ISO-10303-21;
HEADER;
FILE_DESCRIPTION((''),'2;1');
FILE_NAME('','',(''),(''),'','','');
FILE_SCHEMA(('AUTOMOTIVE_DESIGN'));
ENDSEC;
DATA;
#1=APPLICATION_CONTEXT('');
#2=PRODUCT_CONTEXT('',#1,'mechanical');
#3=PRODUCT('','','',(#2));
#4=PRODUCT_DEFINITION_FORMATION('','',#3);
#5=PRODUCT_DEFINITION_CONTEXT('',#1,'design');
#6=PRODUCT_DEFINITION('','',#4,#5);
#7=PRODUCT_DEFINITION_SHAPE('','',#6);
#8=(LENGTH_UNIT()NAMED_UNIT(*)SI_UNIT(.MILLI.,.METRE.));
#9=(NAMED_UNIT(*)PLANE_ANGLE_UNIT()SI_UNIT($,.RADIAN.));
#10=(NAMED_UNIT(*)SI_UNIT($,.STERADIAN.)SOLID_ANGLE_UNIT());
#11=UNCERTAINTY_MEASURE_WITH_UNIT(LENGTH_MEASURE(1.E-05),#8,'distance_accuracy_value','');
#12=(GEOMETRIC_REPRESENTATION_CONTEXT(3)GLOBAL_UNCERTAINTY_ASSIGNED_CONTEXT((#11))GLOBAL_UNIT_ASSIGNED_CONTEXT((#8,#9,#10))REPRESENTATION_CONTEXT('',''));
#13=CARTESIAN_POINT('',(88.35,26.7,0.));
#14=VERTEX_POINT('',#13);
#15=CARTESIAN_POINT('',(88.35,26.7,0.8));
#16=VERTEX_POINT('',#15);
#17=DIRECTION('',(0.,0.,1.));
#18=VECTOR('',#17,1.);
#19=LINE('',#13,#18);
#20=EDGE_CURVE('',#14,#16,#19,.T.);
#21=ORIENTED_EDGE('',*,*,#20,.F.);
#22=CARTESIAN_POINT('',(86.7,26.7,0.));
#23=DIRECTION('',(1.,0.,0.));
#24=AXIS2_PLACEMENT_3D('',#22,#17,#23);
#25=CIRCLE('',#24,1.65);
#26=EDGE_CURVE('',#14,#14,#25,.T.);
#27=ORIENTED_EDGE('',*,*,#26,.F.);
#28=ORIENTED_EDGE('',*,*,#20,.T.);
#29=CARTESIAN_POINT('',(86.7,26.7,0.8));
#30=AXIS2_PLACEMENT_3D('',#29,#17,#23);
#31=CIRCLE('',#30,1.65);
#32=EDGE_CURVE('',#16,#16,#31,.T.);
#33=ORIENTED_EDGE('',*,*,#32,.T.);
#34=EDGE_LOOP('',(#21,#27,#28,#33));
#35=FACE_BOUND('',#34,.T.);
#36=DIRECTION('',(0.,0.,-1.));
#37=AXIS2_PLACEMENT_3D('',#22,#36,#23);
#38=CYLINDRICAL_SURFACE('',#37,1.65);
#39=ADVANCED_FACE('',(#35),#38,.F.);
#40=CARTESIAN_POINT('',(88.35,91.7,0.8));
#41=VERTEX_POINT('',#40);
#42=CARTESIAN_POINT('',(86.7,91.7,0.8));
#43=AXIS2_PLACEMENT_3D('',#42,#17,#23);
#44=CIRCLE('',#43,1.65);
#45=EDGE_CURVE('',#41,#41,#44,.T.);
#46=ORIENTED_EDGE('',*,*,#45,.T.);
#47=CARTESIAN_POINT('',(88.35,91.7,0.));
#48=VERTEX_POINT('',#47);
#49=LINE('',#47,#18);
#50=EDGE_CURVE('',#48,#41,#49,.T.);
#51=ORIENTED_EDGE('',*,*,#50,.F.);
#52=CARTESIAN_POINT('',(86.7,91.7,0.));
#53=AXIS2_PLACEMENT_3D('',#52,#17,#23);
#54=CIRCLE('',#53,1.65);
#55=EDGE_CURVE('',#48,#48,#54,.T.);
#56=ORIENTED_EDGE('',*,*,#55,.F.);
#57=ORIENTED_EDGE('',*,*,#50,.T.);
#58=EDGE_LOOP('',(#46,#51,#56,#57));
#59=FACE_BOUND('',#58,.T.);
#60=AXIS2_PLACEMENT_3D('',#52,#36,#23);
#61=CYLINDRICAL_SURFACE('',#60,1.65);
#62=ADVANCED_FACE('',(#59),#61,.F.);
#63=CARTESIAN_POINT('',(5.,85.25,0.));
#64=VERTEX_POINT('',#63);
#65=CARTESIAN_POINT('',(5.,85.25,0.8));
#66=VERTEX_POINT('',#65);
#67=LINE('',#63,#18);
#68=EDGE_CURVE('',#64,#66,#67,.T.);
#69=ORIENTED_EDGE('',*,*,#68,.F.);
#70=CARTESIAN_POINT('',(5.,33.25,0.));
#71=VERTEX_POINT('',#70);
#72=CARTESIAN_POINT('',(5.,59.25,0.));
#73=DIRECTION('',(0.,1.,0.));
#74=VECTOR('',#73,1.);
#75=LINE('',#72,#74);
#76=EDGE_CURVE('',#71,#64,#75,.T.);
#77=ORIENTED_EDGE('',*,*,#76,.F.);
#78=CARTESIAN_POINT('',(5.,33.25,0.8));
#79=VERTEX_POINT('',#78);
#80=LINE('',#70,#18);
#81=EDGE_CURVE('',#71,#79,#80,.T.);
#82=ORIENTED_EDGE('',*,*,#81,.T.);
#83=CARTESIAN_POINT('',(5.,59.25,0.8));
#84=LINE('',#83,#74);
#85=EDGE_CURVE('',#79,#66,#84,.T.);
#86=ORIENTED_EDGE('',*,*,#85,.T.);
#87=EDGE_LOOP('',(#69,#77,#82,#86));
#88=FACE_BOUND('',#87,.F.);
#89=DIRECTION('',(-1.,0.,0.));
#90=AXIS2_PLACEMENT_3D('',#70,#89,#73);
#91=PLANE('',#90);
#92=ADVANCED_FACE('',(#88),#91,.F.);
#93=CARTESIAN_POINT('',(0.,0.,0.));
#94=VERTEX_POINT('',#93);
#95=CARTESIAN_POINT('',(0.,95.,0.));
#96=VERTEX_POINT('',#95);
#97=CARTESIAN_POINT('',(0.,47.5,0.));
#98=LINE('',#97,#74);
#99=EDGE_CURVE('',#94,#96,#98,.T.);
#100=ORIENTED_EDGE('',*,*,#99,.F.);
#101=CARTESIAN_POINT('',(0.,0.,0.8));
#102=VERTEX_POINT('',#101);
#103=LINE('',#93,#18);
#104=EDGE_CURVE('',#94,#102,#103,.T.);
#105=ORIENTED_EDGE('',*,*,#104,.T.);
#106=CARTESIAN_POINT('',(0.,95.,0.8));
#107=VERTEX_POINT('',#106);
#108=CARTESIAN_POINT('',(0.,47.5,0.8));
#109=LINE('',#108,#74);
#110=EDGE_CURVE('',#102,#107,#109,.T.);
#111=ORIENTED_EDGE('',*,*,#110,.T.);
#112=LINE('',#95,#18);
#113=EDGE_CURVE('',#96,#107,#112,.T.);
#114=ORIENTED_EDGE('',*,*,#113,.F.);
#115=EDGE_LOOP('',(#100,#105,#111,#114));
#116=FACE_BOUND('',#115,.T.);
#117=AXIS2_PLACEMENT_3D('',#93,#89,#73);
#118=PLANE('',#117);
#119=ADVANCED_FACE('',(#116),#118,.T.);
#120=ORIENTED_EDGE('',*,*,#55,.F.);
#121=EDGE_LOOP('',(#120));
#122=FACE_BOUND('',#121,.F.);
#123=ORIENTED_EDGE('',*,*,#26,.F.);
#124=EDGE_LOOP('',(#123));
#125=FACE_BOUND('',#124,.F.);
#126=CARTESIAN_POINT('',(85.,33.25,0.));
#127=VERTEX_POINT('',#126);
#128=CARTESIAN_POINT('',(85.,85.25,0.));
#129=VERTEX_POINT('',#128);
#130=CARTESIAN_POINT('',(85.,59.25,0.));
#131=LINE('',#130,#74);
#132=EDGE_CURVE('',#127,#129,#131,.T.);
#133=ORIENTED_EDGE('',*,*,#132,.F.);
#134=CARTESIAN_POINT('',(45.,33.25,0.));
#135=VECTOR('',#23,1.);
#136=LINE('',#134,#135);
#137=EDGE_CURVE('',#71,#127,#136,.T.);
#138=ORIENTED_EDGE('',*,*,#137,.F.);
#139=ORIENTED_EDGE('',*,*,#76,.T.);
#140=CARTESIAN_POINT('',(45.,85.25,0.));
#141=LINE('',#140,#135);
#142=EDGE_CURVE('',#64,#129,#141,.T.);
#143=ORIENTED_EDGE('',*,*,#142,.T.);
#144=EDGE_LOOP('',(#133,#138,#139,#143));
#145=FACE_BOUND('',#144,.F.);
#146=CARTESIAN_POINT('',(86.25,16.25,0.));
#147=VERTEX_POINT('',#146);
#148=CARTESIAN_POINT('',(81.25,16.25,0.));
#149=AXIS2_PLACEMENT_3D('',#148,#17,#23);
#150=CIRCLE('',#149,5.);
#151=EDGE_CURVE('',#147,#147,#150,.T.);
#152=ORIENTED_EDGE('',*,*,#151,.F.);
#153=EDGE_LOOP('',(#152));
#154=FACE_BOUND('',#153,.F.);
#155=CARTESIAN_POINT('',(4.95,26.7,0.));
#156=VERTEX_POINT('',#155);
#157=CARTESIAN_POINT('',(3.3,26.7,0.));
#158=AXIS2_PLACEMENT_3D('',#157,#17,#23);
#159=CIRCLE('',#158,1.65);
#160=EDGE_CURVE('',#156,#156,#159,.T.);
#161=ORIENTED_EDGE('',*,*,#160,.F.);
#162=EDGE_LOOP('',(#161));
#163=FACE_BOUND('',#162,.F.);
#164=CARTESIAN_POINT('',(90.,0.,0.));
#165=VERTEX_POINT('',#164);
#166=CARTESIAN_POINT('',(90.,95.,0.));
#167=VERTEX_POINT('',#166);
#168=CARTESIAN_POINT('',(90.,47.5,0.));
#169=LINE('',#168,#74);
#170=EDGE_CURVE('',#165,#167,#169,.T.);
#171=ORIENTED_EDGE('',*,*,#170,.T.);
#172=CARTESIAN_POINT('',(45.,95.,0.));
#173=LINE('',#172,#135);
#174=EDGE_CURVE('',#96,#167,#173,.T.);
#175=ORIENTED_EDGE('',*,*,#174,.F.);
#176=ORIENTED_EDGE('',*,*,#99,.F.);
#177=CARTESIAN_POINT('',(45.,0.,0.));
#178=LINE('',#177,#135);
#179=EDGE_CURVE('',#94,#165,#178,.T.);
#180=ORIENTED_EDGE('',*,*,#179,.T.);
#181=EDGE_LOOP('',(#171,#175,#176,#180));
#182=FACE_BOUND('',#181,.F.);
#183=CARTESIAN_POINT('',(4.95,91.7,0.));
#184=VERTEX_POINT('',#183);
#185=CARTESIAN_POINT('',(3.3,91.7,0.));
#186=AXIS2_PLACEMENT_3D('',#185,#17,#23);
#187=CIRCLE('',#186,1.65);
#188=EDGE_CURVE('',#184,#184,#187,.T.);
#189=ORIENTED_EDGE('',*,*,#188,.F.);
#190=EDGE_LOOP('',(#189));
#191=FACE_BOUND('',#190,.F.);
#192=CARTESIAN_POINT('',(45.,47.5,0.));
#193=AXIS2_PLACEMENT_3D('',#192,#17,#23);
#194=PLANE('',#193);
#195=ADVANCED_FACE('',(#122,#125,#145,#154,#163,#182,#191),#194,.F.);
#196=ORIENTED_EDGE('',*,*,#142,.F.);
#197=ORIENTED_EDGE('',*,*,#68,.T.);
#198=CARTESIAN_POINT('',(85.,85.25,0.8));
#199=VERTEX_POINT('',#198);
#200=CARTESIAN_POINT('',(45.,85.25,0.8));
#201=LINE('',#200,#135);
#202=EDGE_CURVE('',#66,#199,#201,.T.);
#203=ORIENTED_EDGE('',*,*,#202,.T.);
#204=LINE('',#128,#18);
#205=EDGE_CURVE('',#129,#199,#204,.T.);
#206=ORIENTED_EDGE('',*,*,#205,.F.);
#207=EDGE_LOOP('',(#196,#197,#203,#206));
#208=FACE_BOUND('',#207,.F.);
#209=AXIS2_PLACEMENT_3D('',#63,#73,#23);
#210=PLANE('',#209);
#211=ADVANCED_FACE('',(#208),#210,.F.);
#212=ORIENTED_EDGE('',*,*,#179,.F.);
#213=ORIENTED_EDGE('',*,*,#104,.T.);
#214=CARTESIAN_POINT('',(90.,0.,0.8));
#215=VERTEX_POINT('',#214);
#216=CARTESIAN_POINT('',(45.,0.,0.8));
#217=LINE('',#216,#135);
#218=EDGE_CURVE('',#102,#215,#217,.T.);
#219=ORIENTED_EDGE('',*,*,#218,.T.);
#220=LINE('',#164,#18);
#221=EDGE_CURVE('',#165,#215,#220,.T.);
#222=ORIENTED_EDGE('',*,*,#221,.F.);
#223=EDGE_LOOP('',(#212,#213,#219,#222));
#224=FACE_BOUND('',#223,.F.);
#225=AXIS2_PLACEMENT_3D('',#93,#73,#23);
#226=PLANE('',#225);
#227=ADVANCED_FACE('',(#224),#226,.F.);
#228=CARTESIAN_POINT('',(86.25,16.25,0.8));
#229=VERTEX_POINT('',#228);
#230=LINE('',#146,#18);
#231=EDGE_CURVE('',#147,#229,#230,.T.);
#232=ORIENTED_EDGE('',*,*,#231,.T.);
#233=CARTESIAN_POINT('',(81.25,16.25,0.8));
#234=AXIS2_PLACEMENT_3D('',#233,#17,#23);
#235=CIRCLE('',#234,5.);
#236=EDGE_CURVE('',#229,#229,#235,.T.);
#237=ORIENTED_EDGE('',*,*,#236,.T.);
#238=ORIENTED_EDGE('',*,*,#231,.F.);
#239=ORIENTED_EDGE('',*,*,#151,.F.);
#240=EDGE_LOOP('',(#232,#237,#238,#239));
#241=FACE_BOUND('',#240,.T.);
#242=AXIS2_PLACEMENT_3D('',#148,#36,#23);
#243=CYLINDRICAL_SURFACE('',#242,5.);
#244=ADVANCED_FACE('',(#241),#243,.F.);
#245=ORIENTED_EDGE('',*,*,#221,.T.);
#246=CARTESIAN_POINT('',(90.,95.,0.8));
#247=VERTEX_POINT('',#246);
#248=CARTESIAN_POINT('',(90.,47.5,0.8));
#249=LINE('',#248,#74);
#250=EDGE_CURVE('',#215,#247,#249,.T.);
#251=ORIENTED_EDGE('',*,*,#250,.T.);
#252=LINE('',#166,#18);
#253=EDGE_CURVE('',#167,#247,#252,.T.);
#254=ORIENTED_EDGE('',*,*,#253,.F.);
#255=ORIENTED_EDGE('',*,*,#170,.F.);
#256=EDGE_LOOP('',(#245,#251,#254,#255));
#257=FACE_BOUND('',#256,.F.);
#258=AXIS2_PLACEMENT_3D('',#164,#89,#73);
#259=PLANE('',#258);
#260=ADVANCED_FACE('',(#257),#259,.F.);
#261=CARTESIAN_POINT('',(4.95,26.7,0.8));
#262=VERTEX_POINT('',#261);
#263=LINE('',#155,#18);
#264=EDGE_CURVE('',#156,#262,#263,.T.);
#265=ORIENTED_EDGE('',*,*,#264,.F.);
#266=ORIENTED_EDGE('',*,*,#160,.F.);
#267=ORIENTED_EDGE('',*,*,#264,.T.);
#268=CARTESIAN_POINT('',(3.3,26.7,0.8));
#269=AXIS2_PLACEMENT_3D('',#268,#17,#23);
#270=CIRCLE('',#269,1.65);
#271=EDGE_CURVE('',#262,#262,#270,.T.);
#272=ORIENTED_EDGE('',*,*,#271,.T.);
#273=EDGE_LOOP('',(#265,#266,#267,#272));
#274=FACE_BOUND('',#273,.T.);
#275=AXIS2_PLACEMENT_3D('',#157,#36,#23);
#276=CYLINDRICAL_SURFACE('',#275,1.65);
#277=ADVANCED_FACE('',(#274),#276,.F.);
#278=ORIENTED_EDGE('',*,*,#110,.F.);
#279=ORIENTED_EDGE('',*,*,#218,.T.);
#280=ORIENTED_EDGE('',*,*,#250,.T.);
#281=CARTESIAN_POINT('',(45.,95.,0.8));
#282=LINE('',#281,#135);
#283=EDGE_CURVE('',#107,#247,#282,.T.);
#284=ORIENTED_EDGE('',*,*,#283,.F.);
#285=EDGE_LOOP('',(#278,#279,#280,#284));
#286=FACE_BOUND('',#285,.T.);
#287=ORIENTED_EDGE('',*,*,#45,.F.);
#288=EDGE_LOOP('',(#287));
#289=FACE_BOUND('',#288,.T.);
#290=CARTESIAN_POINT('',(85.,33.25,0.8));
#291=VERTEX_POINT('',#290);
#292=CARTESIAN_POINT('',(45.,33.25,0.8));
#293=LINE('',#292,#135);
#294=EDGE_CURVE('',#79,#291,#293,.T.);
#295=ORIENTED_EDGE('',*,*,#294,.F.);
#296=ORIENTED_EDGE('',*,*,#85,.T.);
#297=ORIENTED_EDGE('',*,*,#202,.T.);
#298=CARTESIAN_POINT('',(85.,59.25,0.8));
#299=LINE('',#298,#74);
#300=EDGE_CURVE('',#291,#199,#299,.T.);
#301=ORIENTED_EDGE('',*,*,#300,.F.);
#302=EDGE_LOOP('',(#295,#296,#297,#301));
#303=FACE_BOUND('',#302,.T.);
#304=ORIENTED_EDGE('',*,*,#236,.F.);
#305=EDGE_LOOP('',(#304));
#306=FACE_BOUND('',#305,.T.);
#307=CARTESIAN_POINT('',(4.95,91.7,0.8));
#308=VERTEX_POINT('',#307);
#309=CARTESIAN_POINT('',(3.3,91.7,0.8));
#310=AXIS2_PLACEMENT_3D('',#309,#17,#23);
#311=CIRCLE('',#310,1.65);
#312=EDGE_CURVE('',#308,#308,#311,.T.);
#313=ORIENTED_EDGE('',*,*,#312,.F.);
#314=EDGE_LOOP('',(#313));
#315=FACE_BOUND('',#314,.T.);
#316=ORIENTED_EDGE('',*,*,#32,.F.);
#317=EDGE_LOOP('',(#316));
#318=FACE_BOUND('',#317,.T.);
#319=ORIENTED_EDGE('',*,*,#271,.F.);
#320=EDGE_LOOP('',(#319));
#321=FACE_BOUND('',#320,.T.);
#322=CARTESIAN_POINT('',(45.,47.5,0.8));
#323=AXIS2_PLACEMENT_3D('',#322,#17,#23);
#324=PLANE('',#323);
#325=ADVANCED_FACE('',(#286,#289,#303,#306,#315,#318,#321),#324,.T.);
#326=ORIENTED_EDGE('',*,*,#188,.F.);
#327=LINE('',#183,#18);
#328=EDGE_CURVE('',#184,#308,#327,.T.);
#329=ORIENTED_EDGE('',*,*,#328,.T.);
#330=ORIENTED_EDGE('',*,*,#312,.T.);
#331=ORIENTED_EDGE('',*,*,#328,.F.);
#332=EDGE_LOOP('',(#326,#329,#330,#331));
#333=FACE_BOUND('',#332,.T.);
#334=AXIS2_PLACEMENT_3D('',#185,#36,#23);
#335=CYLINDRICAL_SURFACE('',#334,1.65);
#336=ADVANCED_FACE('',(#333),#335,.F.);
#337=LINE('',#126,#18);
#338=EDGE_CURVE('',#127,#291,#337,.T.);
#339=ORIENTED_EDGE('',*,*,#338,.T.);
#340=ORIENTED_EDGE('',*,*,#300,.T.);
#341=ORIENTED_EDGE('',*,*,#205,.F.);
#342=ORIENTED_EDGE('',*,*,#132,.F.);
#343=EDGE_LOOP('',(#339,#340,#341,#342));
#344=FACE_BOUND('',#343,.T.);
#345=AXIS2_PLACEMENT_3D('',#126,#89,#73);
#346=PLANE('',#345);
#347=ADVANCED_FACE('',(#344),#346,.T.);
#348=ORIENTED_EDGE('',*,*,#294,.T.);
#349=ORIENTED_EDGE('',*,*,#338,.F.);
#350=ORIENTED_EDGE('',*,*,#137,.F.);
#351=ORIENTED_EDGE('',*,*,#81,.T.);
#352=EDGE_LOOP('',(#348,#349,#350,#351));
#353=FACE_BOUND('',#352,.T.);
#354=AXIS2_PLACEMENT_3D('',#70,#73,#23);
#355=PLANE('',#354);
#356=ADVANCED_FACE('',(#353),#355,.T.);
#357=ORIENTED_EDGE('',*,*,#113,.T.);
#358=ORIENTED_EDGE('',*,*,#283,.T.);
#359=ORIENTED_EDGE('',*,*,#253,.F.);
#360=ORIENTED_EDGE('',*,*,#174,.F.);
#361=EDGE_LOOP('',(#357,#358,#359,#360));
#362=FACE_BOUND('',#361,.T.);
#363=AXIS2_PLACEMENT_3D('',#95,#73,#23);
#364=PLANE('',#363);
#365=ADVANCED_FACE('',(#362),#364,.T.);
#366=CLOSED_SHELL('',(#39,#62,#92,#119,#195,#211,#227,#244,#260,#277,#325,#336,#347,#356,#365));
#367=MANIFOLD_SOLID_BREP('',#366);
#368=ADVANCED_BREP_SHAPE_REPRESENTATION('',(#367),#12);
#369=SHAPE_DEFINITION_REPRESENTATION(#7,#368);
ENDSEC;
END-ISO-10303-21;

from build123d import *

# Parameters (mm, degrees)
F0_W     = 90
F0_H     = 95
F0_R     = 1.65
F0_R_2   = 5
F0_W_2   = 80
F0_H_2   = 52
F1_DEPTH = 0.8


with BuildPart() as f1:
    # F0 (on Top) → F1 (new body)
    with BuildSketch(Plane.XY):
        with Locations((45, 47.5)):
            Rectangle(F0_W, F0_H)
        with Locations((3.3, 26.7)):
            Circle(F0_R, mode=Mode.SUBTRACT)
        with Locations((81.25, 16.25)):
            Circle(F0_R_2, mode=Mode.SUBTRACT)
        with Locations((86.7, 26.7)):
            Circle(F0_R, mode=Mode.SUBTRACT)
        with Locations((3.3, 91.7)):
            Circle(F0_R, mode=Mode.SUBTRACT)
        with Locations((45, 59.25)):
            Rectangle(F0_W_2, F0_H_2, mode=Mode.SUBTRACT)
        with Locations((86.7, 91.7)):
            Circle(F0_R, mode=Mode.SUBTRACT)
    extrude(amount=F1_DEPTH)


solid = f1.part
